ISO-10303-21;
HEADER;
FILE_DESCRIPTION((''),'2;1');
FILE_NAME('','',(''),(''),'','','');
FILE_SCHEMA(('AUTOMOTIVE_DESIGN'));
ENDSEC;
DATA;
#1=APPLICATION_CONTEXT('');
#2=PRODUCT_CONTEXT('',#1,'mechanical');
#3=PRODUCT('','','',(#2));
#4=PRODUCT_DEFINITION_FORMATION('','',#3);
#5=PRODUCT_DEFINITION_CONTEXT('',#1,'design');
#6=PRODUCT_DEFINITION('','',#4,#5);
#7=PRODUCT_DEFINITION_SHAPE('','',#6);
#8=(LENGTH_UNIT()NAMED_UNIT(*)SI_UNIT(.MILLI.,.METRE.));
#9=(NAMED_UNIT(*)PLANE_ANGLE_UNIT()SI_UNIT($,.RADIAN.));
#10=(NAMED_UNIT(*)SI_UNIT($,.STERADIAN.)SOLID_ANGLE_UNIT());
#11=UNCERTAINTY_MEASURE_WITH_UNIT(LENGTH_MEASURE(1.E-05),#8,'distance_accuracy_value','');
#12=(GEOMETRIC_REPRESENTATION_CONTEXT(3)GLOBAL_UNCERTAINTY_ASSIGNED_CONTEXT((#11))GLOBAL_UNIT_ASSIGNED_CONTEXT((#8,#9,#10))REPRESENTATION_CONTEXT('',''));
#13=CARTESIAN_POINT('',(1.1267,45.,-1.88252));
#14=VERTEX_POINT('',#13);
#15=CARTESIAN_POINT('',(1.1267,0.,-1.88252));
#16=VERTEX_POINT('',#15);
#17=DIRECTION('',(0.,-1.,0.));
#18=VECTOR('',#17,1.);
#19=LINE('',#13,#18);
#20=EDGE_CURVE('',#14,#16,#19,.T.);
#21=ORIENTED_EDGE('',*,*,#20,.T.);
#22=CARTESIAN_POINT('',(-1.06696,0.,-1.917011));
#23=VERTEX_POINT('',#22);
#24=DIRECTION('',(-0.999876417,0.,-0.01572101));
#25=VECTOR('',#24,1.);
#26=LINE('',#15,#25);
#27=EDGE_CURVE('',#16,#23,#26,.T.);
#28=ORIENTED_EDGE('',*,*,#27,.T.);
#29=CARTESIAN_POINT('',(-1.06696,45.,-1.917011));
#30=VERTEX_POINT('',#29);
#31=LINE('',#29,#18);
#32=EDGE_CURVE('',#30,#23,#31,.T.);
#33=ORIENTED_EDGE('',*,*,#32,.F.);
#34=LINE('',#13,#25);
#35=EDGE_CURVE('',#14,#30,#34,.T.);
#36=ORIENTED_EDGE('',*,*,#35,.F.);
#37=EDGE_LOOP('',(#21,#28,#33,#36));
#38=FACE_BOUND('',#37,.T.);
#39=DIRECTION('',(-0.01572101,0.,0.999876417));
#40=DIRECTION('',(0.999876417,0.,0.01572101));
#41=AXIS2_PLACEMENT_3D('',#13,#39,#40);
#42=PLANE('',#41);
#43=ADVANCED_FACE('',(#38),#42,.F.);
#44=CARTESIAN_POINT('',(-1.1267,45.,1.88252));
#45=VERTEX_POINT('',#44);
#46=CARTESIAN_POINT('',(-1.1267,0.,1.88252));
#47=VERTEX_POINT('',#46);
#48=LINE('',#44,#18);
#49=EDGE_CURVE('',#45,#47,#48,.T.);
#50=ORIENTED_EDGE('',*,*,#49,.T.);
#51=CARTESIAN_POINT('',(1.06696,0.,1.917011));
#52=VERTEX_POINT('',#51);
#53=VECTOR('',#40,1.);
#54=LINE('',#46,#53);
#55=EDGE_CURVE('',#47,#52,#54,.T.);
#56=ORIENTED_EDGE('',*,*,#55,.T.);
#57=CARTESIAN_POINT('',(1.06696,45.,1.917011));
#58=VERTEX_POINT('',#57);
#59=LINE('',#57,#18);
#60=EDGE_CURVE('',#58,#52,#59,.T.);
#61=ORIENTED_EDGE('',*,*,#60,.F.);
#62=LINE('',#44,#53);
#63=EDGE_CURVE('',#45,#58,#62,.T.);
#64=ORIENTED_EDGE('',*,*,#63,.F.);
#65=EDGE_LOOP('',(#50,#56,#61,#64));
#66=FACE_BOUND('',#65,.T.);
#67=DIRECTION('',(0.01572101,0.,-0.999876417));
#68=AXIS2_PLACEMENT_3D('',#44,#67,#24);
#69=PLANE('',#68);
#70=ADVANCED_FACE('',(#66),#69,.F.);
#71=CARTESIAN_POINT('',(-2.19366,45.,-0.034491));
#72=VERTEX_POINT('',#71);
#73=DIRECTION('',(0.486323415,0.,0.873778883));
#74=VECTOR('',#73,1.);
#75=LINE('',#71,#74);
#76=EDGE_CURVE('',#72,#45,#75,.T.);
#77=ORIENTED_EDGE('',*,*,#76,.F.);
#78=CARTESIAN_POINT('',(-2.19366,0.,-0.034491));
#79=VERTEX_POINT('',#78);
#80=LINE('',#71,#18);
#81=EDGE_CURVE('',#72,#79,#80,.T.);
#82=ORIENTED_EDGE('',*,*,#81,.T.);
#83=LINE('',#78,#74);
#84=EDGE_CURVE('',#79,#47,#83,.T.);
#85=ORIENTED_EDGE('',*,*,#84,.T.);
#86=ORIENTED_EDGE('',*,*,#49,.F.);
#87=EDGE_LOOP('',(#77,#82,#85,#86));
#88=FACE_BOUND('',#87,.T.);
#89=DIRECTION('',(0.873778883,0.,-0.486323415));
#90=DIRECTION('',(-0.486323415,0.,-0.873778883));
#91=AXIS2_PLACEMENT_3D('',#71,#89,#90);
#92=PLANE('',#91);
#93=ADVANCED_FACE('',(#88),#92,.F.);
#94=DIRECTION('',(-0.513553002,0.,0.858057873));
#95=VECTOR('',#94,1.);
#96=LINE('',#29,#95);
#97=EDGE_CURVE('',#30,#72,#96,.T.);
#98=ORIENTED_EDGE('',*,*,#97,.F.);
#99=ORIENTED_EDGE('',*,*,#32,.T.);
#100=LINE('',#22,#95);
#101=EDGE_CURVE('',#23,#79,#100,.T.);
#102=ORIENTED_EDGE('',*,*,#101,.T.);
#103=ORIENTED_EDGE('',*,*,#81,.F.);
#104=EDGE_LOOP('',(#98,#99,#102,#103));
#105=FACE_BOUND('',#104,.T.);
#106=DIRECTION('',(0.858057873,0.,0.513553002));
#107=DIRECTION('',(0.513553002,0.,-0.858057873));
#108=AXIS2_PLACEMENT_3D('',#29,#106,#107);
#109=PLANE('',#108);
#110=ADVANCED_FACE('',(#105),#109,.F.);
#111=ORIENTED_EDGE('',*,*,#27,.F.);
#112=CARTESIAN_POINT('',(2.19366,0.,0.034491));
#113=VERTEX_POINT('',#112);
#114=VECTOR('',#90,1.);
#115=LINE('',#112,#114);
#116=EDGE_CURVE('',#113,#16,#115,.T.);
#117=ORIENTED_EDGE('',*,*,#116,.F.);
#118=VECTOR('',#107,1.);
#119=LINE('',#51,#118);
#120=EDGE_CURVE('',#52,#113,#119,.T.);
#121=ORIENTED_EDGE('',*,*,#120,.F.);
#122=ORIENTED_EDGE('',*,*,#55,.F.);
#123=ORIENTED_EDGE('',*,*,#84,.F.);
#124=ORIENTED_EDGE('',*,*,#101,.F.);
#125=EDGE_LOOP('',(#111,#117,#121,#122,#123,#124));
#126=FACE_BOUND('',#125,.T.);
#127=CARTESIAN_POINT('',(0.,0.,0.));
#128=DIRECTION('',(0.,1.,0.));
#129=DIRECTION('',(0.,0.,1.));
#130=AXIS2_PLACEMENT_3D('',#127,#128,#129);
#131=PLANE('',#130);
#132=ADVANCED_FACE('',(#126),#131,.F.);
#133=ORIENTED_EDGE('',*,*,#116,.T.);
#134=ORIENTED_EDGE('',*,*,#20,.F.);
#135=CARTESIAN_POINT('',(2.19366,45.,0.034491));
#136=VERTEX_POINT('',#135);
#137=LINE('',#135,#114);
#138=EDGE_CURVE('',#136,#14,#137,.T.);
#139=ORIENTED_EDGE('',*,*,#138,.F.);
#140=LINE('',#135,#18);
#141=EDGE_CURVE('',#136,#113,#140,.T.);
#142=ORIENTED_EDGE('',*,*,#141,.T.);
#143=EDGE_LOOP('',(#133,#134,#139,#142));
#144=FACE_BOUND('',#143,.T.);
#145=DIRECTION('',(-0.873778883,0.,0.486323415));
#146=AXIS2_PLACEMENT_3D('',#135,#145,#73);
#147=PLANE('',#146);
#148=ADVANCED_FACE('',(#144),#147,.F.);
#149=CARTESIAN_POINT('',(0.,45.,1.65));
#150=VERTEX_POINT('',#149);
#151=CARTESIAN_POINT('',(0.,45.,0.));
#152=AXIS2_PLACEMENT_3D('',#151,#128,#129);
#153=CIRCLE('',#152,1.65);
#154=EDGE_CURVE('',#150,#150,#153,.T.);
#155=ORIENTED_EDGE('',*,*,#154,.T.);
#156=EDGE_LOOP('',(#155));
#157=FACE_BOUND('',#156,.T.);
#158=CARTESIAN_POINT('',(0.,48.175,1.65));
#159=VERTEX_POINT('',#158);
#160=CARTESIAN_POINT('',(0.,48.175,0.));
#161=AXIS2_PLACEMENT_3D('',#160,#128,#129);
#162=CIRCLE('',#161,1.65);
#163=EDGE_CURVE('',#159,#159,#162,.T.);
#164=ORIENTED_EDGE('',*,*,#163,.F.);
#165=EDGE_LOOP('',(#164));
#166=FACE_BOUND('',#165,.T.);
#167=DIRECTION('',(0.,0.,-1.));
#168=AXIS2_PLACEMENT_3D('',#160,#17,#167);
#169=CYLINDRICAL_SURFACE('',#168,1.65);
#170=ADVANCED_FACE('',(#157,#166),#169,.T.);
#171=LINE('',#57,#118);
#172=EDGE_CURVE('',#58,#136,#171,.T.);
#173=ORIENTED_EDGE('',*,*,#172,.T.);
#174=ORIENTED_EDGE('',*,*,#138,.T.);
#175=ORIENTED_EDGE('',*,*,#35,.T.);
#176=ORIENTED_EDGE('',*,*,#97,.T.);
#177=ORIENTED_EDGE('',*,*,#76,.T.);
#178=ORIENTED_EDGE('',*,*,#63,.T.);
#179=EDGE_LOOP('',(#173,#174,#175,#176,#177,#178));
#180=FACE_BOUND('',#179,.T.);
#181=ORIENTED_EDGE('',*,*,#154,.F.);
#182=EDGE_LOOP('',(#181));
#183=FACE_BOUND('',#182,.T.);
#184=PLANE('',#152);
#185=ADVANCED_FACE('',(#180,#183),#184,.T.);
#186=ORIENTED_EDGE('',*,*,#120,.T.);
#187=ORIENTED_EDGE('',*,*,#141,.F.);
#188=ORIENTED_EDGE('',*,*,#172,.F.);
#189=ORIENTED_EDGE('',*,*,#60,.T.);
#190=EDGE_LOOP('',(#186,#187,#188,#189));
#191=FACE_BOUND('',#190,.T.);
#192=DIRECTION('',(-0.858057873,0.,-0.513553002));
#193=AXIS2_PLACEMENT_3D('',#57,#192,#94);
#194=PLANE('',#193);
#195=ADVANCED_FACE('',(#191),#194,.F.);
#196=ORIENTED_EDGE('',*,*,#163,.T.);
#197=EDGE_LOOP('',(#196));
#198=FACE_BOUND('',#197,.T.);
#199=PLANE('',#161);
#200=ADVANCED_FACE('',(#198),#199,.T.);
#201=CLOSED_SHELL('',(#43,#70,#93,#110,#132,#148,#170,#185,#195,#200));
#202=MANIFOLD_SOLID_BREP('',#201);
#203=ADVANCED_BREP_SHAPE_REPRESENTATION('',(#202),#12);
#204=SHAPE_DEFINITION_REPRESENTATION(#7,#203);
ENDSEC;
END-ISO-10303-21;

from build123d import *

# Parameters (mm, degrees)
BOSS_EXTRUDE1_DEPTH = 45
SKETCH2_R           = 1.65
BOSS_EXTRUDE2_DEPTH = 3.175


with BuildPart() as part:
    # Sketch1 → Boss-Extrude1 (new body)
    with BuildSketch(Plane(origin=(0, 0, 0), x_dir=(1, 0, 0), z_dir=(0, 1, 0))):
        Polygon((1.066960027, -1.917010598), (2.193659891, -0.034490811), (1.126699864, 1.882519787), (-1.066960027, 1.917010598), (-2.193659891, 0.034490811), (-1.126699864, -1.882519787), align=None)
    extrude(amount=BOSS_EXTRUDE1_DEPTH)

    # Sketch2 → Boss-Extrude2 (add)
    with BuildSketch(Plane(origin=(0, 45, 0), x_dir=(1, 0, 0), z_dir=(0, 1, 0))):
        Circle(SKETCH2_R)
    extrude(amount=BOSS_EXTRUDE2_DEPTH)


solid = part.part
